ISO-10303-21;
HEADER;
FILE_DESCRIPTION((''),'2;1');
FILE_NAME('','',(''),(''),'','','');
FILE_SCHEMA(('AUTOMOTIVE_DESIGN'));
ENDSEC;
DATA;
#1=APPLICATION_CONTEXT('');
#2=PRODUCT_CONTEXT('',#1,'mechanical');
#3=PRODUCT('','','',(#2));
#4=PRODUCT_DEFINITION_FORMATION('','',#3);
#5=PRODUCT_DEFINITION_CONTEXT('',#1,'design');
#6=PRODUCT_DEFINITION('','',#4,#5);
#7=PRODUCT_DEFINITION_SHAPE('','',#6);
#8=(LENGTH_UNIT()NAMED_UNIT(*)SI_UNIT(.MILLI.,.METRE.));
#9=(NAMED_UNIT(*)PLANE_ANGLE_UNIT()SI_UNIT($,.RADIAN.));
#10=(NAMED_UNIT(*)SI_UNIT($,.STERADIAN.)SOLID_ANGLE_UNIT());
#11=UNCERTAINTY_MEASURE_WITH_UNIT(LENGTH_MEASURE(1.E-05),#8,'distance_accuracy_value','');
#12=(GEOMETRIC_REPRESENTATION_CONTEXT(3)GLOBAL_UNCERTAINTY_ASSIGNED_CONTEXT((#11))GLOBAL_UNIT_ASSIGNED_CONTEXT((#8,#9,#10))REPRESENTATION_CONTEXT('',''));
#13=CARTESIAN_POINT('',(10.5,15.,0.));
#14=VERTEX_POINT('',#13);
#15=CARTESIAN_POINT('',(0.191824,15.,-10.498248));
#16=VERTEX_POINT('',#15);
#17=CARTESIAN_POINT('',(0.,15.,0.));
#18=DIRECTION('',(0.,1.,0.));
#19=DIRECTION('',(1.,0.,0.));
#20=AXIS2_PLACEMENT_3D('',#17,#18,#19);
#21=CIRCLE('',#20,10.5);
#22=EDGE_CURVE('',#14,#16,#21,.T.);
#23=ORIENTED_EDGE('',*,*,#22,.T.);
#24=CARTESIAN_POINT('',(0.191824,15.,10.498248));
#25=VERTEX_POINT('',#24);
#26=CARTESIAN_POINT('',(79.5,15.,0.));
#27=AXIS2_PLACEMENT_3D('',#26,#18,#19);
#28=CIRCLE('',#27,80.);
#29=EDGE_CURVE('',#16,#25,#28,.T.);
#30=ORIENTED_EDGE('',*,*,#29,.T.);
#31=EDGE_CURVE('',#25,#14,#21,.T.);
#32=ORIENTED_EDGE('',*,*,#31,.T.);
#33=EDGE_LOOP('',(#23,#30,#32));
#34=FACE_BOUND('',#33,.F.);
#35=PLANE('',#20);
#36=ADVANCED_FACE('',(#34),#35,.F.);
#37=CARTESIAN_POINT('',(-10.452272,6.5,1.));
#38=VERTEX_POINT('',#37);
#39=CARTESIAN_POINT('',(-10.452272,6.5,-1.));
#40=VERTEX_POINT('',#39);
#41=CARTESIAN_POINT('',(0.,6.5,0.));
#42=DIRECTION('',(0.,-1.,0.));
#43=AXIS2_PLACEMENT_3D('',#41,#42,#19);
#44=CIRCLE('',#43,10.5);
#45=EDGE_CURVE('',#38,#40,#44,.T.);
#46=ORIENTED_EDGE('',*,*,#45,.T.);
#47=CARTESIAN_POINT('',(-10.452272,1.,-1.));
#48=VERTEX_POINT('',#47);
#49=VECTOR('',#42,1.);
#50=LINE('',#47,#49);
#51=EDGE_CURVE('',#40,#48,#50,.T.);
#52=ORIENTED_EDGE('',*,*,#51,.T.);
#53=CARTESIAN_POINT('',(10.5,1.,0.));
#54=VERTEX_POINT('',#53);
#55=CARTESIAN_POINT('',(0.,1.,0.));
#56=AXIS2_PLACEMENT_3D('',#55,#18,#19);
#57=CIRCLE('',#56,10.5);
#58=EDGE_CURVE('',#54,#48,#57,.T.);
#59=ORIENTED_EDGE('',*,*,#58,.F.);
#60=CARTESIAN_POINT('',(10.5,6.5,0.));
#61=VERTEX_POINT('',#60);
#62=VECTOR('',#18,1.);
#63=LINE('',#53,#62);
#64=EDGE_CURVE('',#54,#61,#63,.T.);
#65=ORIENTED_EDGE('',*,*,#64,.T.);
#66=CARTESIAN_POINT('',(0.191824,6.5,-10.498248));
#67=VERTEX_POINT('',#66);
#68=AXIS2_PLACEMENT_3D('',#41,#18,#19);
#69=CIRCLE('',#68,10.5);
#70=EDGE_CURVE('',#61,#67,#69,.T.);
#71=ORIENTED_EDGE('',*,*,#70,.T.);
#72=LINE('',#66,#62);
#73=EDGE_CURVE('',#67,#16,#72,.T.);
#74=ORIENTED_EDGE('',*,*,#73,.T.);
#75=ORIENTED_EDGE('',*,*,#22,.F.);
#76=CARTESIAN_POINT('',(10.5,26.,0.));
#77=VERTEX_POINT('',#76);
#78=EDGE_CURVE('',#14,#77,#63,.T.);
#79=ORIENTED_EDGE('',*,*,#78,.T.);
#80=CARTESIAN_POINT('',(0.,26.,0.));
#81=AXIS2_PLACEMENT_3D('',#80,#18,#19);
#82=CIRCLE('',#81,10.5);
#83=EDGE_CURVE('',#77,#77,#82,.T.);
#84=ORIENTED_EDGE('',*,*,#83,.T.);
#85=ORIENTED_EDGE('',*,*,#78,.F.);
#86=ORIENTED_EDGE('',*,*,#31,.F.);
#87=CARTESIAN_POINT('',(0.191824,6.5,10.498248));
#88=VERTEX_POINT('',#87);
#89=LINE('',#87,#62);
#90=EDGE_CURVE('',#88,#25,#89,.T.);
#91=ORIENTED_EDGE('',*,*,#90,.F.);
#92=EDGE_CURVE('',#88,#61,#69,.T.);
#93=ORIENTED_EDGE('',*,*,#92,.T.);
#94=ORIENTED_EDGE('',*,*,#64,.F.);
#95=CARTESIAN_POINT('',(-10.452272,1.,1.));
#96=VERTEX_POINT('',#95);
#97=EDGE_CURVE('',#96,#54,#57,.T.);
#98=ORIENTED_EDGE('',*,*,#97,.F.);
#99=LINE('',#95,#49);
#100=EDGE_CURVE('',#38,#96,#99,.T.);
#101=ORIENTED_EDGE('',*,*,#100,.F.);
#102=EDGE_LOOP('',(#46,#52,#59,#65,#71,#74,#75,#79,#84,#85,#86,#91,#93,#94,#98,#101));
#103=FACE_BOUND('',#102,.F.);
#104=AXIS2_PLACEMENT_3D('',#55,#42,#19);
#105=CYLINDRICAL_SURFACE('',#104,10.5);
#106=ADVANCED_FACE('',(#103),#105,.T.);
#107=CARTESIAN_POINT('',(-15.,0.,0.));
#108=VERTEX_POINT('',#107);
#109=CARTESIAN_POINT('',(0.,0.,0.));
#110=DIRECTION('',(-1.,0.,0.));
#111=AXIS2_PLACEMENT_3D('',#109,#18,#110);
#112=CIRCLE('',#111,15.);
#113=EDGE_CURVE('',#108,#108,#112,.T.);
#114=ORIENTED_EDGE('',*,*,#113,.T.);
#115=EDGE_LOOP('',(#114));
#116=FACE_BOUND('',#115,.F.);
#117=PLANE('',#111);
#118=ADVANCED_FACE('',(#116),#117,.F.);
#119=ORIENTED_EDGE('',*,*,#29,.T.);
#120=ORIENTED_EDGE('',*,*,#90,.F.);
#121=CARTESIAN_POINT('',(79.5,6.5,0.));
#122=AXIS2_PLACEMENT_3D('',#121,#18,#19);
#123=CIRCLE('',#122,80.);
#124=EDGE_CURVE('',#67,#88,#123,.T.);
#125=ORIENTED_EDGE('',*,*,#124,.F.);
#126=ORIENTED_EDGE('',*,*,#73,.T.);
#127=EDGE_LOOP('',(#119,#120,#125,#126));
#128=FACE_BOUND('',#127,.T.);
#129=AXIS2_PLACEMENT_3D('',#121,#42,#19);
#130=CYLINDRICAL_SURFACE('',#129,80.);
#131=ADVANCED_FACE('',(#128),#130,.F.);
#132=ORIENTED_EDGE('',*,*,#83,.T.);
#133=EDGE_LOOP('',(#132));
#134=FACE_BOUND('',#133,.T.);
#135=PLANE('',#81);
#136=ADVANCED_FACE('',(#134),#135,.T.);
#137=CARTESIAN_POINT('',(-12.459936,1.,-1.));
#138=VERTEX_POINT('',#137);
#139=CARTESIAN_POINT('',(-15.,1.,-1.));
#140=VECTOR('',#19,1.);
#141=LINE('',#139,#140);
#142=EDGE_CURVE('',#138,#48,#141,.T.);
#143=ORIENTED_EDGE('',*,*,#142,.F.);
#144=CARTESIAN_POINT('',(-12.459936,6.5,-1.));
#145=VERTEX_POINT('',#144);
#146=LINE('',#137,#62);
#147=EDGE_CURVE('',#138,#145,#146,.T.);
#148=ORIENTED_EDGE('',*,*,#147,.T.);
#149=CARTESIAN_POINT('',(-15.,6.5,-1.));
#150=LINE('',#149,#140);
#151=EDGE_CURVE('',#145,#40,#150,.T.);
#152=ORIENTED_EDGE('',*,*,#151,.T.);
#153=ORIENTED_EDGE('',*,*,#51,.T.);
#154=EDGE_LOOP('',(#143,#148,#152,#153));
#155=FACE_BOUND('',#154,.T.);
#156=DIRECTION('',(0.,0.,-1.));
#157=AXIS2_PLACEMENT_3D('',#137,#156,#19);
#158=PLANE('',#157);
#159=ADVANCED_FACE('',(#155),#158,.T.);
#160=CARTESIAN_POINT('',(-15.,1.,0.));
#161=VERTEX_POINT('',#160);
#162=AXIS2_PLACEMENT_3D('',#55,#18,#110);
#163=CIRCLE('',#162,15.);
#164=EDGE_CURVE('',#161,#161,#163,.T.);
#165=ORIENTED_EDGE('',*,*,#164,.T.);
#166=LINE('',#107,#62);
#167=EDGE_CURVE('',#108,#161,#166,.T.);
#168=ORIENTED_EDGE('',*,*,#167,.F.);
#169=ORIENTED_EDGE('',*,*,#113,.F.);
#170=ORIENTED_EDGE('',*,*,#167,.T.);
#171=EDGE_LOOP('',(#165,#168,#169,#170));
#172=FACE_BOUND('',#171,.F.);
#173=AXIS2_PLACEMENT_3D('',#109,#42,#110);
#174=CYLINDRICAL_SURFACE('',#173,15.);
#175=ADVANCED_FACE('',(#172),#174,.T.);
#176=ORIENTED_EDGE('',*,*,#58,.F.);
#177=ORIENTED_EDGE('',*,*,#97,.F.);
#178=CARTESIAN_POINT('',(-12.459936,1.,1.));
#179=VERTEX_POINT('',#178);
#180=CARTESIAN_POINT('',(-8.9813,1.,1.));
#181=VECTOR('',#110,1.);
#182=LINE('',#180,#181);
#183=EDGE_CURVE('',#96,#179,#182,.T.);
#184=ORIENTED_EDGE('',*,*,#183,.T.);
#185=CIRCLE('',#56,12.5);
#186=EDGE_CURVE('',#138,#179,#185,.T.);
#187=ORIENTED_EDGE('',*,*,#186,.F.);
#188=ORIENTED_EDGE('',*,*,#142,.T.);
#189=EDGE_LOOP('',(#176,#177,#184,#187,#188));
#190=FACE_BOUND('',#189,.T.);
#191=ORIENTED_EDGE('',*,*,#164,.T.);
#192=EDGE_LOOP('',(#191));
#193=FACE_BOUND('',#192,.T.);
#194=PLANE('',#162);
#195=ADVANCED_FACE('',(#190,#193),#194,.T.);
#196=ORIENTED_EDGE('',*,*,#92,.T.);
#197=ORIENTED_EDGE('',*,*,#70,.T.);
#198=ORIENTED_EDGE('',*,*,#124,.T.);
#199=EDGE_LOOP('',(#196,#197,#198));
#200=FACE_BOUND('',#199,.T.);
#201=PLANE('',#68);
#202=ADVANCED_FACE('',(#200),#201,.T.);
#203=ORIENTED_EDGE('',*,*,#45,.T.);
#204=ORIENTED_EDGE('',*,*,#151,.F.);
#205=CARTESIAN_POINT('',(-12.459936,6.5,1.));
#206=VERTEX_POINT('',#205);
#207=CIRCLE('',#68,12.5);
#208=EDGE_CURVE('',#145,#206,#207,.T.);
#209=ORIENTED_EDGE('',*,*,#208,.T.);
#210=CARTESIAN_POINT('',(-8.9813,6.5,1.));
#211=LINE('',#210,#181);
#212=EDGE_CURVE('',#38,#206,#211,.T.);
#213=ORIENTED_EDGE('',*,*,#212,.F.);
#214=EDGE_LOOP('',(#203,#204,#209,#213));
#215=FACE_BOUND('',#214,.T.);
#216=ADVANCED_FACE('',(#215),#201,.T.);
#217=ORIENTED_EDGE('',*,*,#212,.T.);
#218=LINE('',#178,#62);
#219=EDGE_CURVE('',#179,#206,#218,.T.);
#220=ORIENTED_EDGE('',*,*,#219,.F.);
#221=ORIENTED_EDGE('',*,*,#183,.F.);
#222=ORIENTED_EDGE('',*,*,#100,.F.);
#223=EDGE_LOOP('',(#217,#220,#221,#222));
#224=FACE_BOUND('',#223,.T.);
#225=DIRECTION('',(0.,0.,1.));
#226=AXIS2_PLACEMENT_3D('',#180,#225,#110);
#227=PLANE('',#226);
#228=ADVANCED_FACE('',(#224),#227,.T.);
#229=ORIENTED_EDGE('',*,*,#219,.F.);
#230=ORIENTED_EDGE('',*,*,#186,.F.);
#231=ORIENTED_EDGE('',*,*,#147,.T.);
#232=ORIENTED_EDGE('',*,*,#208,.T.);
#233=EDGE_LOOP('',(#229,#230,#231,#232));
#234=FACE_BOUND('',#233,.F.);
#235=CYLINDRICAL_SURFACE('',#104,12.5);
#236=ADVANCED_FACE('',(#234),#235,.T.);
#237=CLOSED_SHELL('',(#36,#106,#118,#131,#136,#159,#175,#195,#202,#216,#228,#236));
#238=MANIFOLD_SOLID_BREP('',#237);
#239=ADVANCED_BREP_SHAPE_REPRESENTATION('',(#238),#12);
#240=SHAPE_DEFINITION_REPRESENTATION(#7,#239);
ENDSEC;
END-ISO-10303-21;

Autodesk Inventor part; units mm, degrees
ref_plane "YZ Plane" through (0, 0, 0) normal (1, 0, 0) x (0, 1, 0)
ref_plane "XZ Plane" through (0, 0, 0) normal (0, 1, 0) x (-1, 0, 0)
sketch "スケッチ1" plane through (0, 0, 0) normal (0, 1, 0) x (-1, 0, 0)
  circle A0 centre (0, 0) radius 15
  dimension "d0" = 30
extrude "押し出し1" add sketch "スケッチ1" along normal blind 1
sketch "スケッチ2" plane through (0, 1, 0) normal (0, 1, 0) x (1, 0, 0)
  circle A0 centre (0, 0) radius 10.5
  dimension "d3" = 21
extrude "押し出し2" add sketch "スケッチ2" along normal blind 25
ref_plane "作業平面1" through (0, 6.5, 0) normal (0, 1, 0) x (1, 0, 0)
sketch "スケッチ4" plane through (0, 6.5, 0) normal (0, 1, 0) x (1, 0, 0)
  circle A0 centre (0, 0) radius 10.5 projected
  circle A1 centre (79.5, 0) radius 80
  point P0 (0.1918, 10.4982)
  point P1 (0.1918, -10.4982)
  dimension "d9" = 79.5
  dimension "d10" = 160
extrude "押し出し3" cut sketch "スケッチ4" along normal blind 8.5 contours A0 A1 picked at (3.218, 0)
sketch "スケッチ5" plane through (0, 1, 0) normal (0, 1, 0) x (1, 0, 0)
  line L0 (-15, 1) -> (-8.9813, 1)
  line L1 (-8.9813, 1) -> (-8.9813, -1)
  line L2 (-8.9813, -1) -> (-15, -1)
  line L3 (-15, -1) -> (-15, 1)
  circle A0 centre (0, 0) radius 15 projected
  circle A1 centre (0, 0) radius 12.5
  point P0 (-15, 0)
  point P1 (-14.9666, 1)
  point P2 (-14.9666, -1)
  point P3 (-12.4599, 1)
  point P4 (-12.4599, -1)
  dimension "d11" = 2
  dimension "d14" = 25
extrude "押し出し4" add sketch "スケッチ5" along normal blind 5.5 contours L0 L1 L2 A1 picked at (-10.1527, -0.1112)
properties part number "ギア軸_中心"
